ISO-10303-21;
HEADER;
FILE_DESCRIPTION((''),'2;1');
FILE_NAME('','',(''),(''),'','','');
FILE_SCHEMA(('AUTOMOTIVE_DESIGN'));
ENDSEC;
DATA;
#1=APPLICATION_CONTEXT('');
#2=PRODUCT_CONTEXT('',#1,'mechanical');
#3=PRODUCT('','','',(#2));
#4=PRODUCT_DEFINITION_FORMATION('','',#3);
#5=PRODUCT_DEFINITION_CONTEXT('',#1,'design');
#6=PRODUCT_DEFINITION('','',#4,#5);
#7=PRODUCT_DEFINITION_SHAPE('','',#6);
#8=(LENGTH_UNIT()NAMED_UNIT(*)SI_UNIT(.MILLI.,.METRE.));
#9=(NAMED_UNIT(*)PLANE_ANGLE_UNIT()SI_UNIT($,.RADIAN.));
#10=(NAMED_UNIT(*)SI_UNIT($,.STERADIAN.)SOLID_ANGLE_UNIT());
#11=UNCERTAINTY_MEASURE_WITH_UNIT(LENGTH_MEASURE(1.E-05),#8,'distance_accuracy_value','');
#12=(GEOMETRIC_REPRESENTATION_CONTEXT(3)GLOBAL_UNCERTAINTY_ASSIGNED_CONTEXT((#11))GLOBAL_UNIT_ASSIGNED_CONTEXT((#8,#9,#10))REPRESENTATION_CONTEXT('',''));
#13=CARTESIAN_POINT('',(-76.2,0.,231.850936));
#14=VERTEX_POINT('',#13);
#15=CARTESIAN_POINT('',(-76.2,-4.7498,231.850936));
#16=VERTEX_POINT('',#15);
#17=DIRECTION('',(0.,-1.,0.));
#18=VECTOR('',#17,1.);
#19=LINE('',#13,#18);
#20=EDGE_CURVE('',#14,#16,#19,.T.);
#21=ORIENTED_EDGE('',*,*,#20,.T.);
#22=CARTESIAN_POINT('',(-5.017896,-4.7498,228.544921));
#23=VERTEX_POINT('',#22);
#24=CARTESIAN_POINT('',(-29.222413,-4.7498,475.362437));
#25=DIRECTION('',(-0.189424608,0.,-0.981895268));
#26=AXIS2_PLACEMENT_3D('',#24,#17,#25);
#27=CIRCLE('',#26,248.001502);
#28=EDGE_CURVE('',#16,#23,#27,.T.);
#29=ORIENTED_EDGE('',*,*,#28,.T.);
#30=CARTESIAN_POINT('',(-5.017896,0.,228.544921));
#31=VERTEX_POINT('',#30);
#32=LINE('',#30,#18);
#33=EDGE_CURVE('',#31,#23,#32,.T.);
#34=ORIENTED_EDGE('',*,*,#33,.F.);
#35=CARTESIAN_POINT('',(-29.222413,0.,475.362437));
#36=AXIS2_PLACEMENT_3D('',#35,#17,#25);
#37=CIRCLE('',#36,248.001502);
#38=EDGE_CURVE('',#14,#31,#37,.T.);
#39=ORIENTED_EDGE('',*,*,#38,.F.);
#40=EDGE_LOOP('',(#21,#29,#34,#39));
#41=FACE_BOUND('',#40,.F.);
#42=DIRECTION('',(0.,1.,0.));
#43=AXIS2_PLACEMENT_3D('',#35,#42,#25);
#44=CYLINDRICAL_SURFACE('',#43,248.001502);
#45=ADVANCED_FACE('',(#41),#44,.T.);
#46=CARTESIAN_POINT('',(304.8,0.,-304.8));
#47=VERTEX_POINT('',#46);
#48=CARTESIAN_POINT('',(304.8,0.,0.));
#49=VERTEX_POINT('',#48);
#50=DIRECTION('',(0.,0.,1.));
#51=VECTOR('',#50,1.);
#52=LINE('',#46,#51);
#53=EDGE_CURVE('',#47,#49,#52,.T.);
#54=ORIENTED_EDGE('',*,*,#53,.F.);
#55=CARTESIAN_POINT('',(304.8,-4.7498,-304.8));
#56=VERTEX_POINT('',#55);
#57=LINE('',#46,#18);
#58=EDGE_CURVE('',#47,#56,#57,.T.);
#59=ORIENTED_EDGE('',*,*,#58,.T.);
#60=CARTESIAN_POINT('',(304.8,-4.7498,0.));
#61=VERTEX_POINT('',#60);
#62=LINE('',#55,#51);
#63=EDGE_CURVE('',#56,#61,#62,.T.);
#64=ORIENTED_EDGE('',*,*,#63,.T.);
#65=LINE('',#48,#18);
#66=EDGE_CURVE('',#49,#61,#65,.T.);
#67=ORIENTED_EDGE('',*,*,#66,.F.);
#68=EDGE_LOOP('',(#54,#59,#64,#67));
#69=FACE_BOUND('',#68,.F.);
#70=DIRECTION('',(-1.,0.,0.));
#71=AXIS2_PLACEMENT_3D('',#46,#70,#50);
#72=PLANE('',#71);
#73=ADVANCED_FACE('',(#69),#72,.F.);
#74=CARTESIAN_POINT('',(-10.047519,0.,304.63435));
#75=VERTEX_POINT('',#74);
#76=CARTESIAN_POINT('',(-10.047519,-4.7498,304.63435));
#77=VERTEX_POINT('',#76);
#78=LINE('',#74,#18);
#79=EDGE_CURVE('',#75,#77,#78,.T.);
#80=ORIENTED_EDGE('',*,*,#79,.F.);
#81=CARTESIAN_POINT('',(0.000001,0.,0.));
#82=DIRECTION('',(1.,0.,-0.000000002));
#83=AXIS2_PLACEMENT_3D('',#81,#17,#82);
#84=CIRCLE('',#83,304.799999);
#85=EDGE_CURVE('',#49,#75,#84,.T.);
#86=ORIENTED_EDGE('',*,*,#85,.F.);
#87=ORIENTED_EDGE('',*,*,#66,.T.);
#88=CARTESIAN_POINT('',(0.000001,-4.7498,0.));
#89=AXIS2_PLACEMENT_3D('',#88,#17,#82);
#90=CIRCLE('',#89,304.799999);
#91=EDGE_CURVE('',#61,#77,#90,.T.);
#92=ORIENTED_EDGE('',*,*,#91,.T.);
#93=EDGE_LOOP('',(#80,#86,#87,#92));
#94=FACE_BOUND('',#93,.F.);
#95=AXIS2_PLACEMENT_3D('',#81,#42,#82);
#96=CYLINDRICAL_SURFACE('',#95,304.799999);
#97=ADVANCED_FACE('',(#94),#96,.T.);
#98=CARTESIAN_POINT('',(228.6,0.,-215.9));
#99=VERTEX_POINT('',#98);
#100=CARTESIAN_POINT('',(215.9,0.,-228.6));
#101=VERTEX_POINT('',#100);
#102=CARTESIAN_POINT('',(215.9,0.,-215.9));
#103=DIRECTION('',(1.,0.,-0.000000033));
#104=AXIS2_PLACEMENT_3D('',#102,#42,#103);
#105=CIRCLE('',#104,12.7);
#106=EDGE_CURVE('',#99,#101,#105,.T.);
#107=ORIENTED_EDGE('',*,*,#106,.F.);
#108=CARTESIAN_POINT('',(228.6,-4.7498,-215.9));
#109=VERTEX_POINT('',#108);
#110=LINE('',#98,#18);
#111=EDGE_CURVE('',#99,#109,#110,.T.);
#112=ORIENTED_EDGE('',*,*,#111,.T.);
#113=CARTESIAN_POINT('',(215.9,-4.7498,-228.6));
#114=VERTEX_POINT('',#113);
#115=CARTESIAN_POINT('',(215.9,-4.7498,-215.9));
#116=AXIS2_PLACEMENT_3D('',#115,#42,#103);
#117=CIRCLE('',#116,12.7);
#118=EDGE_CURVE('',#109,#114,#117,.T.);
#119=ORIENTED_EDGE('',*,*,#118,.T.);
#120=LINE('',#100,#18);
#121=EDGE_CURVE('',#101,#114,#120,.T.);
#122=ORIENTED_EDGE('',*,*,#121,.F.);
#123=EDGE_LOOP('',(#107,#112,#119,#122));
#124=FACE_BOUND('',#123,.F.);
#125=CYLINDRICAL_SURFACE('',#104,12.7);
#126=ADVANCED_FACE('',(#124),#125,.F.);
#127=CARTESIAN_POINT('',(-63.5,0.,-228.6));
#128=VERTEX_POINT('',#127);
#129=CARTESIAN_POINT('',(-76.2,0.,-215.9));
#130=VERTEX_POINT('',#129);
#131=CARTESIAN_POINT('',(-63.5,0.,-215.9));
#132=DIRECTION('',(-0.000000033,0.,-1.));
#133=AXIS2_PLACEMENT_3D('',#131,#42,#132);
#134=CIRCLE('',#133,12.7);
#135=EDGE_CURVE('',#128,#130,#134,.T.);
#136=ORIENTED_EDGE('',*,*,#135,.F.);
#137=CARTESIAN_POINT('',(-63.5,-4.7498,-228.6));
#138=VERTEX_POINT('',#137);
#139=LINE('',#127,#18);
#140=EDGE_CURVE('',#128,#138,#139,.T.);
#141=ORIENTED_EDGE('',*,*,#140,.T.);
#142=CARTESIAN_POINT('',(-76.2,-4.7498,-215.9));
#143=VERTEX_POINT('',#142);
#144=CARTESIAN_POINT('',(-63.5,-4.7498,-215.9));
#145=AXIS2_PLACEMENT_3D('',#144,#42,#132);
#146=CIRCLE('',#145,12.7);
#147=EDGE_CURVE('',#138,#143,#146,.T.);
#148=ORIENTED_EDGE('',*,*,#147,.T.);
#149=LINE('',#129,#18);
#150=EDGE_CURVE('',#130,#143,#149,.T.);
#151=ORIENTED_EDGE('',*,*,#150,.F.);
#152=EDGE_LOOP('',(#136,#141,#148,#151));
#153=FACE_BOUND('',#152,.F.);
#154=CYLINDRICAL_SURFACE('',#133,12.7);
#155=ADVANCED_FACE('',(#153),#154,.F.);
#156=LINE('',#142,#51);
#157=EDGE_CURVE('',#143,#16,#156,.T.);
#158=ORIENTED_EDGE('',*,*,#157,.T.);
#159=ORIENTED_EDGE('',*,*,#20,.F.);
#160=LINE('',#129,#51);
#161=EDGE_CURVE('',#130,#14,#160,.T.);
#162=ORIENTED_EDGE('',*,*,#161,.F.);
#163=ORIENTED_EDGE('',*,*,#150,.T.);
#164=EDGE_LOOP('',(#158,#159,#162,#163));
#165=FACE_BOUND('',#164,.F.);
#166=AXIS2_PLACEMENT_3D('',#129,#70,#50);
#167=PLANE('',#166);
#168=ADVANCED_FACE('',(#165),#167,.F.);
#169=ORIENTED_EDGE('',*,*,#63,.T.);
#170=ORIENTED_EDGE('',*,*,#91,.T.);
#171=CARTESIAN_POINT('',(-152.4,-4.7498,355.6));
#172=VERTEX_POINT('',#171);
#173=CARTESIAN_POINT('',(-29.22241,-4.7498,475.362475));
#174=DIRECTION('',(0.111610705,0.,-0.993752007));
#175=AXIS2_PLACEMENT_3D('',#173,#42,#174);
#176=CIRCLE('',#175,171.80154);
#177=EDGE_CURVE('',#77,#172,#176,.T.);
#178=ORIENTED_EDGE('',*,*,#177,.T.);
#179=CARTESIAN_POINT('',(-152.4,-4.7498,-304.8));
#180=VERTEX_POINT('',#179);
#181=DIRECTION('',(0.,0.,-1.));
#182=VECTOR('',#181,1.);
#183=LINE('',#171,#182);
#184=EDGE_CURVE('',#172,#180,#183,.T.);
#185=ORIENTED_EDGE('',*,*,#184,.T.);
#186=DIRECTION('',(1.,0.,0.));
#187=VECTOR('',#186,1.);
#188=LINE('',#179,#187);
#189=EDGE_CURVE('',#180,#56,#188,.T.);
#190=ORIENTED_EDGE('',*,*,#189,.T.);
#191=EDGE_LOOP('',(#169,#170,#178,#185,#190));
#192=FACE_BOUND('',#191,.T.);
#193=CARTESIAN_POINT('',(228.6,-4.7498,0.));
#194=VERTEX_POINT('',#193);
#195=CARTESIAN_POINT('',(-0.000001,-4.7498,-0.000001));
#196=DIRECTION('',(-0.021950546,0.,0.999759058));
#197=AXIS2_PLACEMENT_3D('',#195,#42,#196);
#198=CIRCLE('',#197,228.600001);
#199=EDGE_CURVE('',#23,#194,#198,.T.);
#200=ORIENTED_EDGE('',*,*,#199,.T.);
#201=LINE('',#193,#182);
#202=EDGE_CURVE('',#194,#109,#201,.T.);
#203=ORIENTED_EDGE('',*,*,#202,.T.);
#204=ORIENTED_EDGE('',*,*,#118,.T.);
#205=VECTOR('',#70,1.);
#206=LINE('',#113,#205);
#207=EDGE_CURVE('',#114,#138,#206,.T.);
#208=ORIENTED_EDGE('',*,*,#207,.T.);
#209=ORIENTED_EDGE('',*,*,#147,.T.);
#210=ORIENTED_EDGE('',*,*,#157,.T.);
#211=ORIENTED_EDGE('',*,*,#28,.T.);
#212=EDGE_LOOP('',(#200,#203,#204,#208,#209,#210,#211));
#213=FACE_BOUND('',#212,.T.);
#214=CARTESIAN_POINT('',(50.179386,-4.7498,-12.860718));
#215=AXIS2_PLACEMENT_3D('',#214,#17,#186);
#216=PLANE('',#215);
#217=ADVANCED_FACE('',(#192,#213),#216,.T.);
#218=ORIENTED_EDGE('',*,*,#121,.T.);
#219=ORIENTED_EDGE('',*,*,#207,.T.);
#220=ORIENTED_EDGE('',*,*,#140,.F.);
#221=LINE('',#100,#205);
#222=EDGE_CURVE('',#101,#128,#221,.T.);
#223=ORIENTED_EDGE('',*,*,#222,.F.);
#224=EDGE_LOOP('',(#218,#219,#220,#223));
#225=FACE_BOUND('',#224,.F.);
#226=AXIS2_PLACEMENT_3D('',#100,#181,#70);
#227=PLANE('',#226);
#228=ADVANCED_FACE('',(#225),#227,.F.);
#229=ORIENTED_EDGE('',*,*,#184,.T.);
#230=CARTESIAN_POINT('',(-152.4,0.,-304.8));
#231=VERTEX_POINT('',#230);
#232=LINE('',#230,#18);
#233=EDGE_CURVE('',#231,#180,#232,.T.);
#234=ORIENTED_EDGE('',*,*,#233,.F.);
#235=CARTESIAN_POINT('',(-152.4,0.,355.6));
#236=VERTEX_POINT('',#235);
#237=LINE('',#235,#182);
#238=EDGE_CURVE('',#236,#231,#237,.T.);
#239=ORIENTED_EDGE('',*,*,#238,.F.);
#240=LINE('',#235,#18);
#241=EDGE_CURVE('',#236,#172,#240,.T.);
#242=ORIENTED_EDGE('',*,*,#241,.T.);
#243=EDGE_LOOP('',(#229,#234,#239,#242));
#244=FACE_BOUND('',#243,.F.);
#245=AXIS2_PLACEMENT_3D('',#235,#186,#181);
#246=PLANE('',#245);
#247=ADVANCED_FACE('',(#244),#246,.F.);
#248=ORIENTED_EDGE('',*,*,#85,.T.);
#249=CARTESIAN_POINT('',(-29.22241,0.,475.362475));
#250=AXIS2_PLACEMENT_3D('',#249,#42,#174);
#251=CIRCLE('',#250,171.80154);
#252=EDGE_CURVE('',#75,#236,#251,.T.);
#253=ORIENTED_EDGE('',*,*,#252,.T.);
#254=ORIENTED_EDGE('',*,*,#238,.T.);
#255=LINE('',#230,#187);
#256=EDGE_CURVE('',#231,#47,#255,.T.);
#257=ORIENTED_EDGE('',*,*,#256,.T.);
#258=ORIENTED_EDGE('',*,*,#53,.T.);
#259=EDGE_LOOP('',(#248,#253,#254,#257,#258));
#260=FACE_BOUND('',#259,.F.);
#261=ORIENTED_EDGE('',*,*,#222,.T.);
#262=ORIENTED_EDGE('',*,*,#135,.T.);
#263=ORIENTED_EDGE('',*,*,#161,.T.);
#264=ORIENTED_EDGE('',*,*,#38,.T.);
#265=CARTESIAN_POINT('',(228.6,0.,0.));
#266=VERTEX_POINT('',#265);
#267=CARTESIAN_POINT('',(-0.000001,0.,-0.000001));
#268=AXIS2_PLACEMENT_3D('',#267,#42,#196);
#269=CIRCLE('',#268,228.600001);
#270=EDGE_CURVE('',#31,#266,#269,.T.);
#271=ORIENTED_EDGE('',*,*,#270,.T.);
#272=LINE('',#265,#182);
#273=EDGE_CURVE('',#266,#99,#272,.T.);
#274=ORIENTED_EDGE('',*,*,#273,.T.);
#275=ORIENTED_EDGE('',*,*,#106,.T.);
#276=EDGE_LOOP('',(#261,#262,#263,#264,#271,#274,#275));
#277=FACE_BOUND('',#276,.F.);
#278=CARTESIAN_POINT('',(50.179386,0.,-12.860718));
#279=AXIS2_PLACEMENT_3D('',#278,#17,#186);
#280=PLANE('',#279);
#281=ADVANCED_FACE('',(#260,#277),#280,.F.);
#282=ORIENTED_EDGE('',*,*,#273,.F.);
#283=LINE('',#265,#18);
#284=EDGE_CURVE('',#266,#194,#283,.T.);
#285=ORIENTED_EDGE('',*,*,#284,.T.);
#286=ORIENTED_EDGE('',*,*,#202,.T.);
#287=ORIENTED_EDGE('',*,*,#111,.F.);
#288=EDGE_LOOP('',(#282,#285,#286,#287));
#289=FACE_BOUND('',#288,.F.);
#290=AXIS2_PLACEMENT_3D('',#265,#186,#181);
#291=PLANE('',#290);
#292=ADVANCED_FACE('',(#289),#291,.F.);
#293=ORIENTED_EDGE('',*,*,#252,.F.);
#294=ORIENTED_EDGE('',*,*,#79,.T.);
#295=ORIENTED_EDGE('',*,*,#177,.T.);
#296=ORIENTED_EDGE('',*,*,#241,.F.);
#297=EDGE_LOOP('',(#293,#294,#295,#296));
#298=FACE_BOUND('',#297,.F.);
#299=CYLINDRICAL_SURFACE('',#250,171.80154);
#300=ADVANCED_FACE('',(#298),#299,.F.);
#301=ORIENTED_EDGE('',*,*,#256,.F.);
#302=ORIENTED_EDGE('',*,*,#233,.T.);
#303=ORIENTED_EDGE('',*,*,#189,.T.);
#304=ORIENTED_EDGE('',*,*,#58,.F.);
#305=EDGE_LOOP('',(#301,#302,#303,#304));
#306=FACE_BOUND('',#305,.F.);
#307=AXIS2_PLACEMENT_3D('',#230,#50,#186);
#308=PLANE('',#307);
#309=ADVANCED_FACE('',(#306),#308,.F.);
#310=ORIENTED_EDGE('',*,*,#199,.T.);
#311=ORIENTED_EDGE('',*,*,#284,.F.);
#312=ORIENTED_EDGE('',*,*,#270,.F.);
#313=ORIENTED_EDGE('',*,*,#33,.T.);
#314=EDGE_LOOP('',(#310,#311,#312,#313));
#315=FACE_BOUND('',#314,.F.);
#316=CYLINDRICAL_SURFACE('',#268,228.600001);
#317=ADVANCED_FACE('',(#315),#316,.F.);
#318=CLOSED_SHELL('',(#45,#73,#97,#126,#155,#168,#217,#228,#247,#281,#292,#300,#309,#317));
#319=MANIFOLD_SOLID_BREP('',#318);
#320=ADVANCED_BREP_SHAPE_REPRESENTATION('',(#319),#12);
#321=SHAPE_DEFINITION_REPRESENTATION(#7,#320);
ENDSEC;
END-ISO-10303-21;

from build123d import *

# Parameters (mm, degrees)
F1_DEPTH = 4.7498


with BuildPart() as f1:
    # F0 (on Front) → F1 (new body)
    with BuildSketch(Plane.XZ):
        with BuildLine():
            Line((304.8, -304.8), (304.8, 0))
            ThreePointArc((304.8, 0), (211.944045, 219.049679), (-10.047519, 304.63435))
            ThreePointArc((-10.047519, 304.63435), (-87.131949, 313.614973), (-152.4, 355.6))
            Line((-152.4, 355.6), (-152.4, -304.8))
            Line((-152.4, -304.8), (0, -304.8))
            Line((0, -304.8), (304.8, -304.8))
        make_face()
        with BuildLine():
            ThreePointArc((-5.017896, 228.544921), (159.860672, 163.409074), (228.6, 0))
            Line((228.6, 0), (228.6, -215.9))
            ThreePointArc((228.6, -215.9), (224.880256, -224.880256), (215.9, -228.6))
            Line((215.9, -228.6), (0, -228.6))
            Line((0, -228.6), (-63.5, -228.6))
            ThreePointArc((-63.5, -228.6), (-72.480256, -224.880256), (-76.2, -215.9))
            Line((-76.2, -215.9), (-76.2, 231.850936))
            ThreePointArc((-76.2, 231.850936), (-40.728308, 227.627984), (-5.017896, 228.544921))
        make_face(mode=Mode.SUBTRACT)
    extrude(amount=F1_DEPTH)


solid = f1.part
